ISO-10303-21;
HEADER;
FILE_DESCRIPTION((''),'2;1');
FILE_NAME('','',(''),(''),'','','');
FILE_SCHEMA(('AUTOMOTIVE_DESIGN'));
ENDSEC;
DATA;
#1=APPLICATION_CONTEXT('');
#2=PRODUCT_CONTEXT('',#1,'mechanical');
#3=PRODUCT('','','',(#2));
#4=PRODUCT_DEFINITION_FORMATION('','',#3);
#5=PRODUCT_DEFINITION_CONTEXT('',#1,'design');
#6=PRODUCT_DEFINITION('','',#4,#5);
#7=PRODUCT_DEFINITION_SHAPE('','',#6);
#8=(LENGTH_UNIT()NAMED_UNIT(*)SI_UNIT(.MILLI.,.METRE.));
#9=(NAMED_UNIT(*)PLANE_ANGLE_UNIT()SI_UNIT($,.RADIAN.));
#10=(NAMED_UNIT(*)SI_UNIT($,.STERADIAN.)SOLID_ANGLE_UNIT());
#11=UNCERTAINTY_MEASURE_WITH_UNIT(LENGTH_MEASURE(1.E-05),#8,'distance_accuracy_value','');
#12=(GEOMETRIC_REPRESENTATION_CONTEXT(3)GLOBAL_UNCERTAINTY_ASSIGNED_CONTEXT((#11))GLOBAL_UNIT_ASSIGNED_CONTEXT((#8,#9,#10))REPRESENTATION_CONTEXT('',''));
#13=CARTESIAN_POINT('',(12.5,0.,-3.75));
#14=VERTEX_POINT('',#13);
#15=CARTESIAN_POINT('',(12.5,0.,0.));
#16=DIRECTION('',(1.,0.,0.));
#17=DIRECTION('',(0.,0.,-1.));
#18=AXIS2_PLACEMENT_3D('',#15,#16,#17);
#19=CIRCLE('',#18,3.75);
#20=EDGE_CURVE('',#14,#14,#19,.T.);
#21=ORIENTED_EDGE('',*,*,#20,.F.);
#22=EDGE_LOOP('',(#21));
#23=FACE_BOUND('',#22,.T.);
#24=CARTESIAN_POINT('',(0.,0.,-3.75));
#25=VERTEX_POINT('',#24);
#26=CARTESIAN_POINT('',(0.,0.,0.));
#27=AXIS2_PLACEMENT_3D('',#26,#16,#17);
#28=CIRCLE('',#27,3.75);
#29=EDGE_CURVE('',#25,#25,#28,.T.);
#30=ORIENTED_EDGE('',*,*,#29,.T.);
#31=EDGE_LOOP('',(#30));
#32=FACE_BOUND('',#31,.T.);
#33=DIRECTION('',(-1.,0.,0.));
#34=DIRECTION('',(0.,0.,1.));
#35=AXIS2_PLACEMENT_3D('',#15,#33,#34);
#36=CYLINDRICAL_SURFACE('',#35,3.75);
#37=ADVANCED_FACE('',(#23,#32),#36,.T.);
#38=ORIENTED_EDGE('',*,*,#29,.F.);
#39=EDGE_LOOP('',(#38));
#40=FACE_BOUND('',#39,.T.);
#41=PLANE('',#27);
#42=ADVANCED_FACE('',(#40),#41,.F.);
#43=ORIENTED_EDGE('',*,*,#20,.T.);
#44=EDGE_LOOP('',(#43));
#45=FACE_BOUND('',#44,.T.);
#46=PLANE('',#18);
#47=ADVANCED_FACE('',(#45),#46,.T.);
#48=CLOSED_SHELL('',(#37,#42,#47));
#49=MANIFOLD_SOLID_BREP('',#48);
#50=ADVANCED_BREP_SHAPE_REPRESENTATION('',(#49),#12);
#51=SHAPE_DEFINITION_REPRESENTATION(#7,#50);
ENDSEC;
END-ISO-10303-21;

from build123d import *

# Parameters (mm, degrees)
SKETCH1_R           = 3.75
BOSS_EXTRUDE1_DEPTH = 12.5


with BuildPart() as part:
    # Sketch1 → Boss-Extrude1 (new body)
    with BuildSketch(Plane(origin=(0, 0, 0), x_dir=(0, 0, -1), z_dir=(1, 0, 0))):
        Circle(SKETCH1_R)
    extrude(amount=BOSS_EXTRUDE1_DEPTH)


solid = part.part
